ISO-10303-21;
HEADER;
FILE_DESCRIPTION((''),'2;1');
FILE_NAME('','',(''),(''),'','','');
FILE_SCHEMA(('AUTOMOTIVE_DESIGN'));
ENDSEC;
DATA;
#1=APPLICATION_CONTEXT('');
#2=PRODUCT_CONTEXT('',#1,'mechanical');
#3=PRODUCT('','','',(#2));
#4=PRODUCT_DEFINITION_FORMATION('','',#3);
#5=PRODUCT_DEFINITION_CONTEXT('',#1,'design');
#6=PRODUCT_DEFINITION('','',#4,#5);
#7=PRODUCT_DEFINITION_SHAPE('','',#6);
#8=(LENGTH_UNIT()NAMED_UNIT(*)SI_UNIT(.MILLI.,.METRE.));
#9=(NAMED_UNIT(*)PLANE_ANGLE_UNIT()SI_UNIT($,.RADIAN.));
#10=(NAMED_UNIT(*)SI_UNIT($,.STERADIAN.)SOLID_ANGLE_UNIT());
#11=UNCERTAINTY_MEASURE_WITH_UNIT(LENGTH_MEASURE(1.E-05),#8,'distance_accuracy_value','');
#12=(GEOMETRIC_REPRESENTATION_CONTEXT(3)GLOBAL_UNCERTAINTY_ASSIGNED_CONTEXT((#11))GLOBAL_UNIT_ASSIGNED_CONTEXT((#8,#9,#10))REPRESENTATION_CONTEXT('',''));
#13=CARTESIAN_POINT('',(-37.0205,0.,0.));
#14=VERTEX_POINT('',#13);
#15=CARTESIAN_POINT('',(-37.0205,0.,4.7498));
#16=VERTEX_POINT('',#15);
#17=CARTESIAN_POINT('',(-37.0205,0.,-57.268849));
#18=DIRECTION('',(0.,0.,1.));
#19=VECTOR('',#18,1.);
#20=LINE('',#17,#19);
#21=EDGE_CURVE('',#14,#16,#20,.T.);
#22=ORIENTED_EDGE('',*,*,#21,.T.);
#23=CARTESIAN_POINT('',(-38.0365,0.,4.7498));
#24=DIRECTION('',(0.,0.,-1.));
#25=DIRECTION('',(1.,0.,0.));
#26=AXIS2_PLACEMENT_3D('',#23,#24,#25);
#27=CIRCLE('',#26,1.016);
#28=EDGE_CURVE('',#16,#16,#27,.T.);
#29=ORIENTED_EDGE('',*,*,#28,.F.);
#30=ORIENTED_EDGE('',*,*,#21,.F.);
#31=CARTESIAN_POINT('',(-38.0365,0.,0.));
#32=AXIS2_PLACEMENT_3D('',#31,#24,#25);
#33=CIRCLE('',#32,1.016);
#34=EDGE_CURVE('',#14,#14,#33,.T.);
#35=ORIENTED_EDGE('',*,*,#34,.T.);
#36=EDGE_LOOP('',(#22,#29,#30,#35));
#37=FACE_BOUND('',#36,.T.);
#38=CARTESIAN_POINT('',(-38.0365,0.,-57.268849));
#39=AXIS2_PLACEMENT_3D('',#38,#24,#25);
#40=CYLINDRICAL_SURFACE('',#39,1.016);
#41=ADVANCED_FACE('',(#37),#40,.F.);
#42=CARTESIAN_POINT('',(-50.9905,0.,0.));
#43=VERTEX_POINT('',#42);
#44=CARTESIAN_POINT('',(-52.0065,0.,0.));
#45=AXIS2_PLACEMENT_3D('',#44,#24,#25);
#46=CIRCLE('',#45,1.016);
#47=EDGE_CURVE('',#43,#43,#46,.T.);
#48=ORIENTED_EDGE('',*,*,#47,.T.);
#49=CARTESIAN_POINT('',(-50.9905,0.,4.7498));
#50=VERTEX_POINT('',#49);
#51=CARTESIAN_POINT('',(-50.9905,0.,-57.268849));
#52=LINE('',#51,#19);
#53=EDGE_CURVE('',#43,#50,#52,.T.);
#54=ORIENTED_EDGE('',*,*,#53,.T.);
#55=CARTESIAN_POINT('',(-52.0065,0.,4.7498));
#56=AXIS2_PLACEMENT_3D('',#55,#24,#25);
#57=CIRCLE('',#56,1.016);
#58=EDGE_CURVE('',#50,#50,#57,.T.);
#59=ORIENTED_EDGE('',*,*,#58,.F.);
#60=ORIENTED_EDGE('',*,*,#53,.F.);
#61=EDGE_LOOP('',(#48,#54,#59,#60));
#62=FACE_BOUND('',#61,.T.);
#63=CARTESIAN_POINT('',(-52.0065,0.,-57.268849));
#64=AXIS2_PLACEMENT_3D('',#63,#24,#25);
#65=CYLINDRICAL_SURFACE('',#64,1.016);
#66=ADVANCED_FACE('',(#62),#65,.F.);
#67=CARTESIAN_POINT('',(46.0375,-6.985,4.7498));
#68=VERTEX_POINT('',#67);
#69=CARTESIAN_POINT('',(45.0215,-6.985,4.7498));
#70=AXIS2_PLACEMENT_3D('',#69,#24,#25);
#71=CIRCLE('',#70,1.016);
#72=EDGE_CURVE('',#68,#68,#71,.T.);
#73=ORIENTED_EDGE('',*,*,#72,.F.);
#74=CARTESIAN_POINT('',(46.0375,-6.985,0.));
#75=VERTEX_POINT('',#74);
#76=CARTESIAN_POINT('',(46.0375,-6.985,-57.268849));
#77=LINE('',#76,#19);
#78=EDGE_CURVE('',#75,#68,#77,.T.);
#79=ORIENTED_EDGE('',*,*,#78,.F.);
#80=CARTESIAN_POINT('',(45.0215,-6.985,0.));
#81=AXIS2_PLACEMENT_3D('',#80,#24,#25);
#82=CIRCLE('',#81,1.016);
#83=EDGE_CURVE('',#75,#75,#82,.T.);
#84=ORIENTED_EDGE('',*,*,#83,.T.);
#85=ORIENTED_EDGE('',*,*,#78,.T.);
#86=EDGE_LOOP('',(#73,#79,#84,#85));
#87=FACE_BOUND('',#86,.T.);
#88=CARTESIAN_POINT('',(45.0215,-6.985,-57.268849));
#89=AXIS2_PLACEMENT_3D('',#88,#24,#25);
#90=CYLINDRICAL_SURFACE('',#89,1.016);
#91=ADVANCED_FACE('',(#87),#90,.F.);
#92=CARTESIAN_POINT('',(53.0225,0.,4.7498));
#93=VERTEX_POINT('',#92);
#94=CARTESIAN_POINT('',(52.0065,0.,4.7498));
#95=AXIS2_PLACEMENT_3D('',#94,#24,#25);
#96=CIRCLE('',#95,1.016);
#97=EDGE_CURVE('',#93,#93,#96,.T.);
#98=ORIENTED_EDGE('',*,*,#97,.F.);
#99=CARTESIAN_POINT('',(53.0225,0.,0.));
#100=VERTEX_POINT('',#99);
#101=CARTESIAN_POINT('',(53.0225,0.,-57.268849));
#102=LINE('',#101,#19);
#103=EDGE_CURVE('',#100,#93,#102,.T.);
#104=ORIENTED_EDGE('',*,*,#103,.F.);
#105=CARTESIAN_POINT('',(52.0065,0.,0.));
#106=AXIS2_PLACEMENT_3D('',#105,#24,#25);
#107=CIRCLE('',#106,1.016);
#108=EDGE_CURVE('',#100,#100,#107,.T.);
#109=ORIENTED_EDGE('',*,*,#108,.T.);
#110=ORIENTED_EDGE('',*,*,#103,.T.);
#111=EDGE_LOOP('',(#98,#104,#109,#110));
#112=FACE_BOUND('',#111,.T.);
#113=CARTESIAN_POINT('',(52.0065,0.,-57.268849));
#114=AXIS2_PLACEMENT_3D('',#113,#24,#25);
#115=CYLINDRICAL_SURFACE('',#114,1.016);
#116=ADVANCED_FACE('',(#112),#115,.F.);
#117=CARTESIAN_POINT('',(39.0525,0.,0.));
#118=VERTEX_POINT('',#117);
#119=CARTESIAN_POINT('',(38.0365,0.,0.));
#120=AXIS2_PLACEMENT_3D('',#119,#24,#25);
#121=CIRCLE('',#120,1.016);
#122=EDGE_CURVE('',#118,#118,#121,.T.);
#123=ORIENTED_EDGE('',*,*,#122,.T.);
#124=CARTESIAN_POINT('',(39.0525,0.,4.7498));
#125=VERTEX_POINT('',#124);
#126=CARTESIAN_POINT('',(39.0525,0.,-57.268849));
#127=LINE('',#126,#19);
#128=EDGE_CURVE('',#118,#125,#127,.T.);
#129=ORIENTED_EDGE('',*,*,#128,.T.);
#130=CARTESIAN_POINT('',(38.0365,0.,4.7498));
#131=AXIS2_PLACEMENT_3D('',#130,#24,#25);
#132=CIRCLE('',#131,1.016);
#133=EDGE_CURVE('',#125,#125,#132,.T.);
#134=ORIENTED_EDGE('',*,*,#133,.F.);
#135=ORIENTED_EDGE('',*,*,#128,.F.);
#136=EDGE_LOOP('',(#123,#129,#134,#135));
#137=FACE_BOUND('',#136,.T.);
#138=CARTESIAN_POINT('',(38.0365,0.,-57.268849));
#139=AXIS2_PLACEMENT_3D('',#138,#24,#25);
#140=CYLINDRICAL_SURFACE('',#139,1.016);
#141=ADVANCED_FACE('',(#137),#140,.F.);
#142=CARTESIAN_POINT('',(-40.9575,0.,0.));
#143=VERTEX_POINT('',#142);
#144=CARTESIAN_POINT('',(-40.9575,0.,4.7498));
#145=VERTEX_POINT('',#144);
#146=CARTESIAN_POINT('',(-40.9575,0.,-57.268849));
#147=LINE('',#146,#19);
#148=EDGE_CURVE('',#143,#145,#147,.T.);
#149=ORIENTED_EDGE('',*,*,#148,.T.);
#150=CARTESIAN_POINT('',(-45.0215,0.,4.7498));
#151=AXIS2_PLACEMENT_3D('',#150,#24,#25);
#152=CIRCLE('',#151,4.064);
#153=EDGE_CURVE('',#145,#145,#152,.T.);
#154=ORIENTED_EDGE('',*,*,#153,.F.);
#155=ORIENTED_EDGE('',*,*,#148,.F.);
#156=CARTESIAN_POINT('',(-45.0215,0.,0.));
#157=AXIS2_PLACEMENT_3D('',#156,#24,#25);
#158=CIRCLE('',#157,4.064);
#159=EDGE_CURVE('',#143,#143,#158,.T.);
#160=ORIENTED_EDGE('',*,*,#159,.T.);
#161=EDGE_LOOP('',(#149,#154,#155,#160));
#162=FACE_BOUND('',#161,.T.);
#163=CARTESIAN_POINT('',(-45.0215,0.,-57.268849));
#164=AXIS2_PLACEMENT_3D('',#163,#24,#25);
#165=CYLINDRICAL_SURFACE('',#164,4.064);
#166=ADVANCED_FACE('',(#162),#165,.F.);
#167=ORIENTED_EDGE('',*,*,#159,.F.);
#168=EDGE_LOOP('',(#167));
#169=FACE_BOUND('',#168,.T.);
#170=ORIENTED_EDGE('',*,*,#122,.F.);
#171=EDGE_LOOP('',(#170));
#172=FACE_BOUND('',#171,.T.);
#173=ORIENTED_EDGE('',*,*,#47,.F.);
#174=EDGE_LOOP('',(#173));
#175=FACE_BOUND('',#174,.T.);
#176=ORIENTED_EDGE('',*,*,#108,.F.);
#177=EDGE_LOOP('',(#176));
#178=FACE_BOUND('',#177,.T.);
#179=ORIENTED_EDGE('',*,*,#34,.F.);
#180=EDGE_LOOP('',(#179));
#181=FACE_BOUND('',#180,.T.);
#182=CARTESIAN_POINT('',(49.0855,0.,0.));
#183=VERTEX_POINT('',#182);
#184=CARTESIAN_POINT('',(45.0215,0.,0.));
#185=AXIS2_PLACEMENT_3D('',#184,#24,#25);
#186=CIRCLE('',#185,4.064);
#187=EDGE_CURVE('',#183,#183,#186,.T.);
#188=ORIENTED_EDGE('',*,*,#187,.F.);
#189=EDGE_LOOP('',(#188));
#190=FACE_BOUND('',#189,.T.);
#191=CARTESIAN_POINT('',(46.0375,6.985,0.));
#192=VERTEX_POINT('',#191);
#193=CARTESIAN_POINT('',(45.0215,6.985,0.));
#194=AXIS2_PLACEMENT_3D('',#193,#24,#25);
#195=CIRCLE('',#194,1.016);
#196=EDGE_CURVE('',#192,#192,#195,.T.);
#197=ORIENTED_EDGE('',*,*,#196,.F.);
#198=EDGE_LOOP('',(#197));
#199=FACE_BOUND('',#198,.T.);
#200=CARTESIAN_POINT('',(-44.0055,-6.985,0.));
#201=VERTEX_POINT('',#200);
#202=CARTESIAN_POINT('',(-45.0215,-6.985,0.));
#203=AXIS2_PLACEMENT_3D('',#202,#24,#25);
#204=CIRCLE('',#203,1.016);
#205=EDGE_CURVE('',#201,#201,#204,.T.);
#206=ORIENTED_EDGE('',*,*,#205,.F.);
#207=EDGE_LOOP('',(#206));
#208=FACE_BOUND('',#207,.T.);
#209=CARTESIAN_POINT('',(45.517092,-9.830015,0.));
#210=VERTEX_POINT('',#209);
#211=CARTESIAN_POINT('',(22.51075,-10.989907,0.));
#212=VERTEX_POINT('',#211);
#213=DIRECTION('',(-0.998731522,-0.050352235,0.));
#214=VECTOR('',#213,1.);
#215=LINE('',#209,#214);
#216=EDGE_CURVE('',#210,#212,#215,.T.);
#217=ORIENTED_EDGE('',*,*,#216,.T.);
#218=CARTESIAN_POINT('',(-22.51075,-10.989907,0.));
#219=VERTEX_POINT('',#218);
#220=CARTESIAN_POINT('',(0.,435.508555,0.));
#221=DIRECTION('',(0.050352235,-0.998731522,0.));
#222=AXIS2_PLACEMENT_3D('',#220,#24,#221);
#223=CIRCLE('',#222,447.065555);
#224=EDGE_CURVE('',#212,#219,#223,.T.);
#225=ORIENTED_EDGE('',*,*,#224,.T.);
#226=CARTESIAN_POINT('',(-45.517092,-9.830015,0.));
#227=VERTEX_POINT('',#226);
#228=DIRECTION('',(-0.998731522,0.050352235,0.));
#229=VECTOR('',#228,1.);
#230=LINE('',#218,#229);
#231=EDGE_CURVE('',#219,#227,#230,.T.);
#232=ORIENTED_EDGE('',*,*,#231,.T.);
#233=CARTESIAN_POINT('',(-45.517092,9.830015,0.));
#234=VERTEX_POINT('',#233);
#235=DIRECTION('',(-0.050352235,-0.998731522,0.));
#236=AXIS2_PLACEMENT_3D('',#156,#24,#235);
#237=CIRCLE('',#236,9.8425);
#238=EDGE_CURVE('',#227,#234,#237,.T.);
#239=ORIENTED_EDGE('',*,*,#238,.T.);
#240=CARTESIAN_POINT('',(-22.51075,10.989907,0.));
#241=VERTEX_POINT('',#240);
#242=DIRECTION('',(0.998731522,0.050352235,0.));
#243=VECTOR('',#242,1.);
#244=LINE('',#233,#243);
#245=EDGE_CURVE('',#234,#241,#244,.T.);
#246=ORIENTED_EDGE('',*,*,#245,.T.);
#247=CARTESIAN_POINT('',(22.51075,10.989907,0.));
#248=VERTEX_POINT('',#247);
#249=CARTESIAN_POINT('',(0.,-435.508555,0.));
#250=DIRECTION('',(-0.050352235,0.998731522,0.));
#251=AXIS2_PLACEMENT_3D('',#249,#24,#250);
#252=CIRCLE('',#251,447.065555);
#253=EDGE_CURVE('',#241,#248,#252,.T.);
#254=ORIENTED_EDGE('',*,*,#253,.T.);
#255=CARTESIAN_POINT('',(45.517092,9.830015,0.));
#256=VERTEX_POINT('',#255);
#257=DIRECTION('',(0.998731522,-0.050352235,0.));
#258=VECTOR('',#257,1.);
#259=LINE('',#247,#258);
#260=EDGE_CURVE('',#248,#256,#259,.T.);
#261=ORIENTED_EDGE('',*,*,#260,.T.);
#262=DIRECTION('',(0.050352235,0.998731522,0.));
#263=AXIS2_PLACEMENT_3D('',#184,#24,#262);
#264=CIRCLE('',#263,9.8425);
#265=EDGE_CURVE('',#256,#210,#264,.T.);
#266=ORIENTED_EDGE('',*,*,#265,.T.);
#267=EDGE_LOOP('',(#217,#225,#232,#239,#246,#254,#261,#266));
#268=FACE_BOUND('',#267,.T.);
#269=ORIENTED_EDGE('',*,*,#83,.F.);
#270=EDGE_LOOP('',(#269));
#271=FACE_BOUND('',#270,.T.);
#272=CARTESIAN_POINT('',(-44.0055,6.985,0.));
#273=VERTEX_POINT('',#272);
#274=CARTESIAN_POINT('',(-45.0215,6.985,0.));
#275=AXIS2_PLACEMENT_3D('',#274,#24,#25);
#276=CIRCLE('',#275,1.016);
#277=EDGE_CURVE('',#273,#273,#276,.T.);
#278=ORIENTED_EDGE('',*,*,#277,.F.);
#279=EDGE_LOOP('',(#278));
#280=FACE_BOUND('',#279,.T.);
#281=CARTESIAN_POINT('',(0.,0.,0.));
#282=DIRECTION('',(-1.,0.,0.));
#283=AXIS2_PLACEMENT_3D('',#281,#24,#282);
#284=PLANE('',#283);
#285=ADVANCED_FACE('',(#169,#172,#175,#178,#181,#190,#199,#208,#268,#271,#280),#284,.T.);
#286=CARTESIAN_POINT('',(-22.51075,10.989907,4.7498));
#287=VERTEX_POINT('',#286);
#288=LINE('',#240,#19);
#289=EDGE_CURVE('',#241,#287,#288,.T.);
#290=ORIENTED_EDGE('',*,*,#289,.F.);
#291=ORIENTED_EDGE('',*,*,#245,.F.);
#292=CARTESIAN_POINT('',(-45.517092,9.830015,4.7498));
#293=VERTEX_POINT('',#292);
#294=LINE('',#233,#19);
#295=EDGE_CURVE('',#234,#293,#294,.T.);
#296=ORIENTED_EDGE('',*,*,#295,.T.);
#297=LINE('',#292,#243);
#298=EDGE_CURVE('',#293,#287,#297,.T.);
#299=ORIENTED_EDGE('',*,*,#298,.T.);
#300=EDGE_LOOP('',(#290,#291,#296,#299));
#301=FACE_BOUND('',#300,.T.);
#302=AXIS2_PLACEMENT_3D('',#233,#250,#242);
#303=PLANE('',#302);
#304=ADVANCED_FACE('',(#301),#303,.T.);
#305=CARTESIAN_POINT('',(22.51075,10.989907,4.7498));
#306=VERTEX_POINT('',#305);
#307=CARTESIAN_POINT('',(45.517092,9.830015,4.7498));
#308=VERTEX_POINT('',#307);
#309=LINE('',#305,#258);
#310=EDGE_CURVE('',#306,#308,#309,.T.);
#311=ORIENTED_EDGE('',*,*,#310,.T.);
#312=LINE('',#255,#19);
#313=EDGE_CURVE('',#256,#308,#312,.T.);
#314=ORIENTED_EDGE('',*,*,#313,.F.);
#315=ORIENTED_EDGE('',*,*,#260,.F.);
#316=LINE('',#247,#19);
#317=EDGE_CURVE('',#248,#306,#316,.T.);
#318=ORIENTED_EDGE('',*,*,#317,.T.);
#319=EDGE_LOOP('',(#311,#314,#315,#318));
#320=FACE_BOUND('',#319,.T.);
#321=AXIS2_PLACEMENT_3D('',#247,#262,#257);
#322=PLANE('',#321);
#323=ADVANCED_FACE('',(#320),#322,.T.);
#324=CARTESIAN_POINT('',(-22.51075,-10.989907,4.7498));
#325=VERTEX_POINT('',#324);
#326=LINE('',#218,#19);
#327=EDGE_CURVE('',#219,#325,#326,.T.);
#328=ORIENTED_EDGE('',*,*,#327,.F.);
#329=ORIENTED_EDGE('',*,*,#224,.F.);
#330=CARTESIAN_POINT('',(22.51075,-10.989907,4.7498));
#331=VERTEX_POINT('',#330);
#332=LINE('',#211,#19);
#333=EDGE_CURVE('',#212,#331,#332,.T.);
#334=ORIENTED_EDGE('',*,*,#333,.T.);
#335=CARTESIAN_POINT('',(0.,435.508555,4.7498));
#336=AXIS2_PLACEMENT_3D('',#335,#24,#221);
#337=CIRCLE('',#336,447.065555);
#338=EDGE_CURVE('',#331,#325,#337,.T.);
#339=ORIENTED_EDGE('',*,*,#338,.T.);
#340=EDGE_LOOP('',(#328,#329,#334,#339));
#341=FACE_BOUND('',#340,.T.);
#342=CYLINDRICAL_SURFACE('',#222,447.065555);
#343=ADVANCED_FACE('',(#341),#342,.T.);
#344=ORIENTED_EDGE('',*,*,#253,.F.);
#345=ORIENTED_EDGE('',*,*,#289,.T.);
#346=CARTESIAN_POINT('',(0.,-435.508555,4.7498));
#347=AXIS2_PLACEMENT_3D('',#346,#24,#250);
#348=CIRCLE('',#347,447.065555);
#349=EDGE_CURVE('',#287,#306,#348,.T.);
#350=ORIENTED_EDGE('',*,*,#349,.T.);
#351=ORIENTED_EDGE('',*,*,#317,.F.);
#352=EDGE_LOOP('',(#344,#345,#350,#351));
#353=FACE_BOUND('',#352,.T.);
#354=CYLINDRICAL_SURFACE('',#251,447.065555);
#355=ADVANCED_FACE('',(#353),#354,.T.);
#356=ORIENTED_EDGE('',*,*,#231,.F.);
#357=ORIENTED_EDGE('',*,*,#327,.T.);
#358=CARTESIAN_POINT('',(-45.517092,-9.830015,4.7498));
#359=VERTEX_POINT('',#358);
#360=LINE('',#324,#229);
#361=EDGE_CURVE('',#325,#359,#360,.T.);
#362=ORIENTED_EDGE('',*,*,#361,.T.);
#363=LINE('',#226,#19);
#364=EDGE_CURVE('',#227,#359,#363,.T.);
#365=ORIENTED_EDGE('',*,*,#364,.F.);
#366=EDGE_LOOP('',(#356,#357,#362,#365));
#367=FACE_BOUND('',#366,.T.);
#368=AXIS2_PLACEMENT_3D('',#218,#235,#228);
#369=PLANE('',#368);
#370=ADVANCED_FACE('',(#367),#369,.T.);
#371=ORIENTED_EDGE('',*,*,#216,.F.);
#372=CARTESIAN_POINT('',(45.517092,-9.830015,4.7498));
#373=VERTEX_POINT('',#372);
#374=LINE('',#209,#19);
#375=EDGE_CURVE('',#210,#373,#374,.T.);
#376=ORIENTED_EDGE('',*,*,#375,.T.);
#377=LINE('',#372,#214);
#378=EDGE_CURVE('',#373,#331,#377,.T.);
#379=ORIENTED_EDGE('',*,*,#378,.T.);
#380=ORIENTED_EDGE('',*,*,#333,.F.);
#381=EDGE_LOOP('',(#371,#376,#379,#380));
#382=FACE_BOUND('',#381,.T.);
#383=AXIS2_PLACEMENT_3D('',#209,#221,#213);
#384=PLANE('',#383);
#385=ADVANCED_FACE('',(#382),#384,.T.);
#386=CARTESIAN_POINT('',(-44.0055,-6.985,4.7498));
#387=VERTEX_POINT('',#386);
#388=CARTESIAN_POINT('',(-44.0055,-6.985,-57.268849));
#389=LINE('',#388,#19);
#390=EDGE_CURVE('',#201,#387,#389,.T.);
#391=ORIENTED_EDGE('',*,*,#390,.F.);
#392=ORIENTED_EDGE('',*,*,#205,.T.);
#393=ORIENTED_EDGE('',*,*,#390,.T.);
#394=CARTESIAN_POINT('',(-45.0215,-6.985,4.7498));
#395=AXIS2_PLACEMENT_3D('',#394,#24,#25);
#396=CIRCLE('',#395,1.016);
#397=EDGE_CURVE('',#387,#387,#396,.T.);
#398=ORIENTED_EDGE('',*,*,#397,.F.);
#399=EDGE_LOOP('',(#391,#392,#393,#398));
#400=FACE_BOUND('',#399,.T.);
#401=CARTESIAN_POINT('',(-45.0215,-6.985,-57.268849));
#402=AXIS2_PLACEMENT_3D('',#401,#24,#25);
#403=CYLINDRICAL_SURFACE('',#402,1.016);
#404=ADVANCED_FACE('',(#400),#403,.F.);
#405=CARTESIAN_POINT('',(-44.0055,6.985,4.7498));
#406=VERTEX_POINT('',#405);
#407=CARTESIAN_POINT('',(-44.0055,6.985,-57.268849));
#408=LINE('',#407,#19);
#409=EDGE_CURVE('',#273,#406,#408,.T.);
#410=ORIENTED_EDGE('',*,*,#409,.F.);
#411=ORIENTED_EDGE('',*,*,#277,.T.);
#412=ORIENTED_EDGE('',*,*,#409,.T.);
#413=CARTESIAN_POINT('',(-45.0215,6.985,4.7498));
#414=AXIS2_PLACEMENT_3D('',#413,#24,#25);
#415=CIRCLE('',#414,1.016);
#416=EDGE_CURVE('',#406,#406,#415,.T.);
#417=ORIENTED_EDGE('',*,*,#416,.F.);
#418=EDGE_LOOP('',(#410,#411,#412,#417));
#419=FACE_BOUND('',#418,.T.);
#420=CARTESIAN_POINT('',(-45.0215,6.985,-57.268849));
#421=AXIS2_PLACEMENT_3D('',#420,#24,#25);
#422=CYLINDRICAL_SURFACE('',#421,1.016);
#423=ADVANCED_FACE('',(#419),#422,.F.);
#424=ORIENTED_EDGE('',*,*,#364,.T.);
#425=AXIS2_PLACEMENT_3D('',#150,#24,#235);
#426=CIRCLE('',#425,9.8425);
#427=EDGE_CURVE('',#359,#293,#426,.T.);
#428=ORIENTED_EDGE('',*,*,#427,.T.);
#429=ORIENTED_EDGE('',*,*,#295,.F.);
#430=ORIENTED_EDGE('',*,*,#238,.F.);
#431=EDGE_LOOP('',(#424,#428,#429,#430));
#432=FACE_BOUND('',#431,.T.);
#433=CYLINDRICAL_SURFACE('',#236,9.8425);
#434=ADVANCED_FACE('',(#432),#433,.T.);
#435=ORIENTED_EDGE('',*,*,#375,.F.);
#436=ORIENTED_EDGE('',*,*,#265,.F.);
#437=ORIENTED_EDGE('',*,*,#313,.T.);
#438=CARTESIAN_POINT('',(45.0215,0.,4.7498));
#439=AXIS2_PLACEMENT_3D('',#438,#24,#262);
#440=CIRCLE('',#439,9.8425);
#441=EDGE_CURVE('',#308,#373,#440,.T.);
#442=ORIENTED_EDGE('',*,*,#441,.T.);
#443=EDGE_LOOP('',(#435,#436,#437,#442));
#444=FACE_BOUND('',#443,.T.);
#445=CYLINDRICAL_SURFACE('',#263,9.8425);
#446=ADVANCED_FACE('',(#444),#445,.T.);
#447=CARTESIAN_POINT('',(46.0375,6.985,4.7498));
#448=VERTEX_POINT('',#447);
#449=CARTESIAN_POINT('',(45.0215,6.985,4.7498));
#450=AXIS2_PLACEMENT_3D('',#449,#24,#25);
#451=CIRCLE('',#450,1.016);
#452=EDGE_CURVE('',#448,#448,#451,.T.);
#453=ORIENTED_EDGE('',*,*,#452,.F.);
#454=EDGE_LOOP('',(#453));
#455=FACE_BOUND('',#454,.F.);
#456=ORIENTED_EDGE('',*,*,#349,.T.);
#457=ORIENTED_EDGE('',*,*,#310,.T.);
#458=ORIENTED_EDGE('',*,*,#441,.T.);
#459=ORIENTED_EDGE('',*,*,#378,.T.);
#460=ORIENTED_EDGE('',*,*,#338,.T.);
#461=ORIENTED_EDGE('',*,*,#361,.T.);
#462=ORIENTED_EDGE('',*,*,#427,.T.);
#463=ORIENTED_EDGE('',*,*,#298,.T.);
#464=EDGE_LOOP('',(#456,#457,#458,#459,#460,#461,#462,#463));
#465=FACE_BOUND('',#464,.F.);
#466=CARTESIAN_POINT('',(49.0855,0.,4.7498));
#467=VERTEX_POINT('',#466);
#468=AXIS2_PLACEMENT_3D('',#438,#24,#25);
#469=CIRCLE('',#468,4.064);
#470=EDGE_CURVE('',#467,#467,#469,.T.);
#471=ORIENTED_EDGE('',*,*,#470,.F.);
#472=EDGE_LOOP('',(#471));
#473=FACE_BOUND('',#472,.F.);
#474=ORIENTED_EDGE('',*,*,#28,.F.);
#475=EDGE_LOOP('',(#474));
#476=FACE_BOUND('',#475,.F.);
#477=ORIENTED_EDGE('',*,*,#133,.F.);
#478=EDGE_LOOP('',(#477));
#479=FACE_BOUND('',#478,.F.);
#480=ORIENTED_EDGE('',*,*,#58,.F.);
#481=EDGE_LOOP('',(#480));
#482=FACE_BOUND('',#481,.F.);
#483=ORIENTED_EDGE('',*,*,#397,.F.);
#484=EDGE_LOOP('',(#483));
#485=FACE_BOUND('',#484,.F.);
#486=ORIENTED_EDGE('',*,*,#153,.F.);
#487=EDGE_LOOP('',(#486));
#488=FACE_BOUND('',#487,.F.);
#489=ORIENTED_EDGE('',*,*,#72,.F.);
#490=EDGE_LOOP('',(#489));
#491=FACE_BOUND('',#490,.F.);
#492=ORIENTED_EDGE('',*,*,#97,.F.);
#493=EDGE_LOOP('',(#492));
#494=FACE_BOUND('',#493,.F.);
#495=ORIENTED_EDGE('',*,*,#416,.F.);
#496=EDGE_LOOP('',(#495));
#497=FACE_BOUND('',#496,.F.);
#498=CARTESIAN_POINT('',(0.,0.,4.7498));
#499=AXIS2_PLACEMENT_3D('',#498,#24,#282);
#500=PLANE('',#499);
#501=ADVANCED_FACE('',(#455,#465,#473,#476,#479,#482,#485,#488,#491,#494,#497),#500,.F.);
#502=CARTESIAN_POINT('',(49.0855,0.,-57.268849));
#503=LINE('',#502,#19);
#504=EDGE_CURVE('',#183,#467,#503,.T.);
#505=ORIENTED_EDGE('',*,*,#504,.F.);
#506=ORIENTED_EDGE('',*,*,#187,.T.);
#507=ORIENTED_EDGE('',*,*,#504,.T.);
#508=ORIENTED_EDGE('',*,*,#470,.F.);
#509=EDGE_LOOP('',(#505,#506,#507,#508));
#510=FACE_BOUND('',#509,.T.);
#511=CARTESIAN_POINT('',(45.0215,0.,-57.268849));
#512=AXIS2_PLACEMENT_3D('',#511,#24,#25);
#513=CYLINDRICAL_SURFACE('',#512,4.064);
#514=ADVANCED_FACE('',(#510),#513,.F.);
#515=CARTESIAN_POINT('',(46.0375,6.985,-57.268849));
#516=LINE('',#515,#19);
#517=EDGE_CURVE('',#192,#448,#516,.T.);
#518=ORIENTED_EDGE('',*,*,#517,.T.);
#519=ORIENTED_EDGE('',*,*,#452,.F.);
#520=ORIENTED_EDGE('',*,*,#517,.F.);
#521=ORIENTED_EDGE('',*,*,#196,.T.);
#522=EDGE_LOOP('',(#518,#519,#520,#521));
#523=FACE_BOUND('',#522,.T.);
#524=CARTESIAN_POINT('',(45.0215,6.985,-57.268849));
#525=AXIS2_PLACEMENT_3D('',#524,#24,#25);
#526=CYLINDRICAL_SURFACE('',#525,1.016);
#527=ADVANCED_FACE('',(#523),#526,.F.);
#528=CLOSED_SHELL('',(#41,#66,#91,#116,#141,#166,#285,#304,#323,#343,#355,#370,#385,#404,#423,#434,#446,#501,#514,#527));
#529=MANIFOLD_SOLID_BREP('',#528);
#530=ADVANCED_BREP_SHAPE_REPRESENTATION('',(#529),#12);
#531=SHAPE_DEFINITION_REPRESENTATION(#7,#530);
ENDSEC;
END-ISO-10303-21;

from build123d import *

# Parameters (mm, degrees)
BOSS_EXTRUDE1_DEPTH     = 4.7498
CUT_EXTRUDE4_DEPTH      = 57.268848798
CUT_EXTRUDE4_DEPTH_BACK = 57.268848798
SKETCH1_4_R             = 4.064
SKETCH1_4_R_2           = 1.016


with BuildPart() as part:
    # Sketch1 → Boss-Extrude1 (new body)
    with BuildSketch(Plane.XY):
        with BuildLine():
            Line((-45.517091875, 9.830015002), (-22.51075, 10.989907038))
            ThreePointArc((-22.51075, 10.989907038), (0, 11.557), (22.51075, 10.989907038))
            Line((22.51075, 10.989907038), (45.517091875, 9.830015002))
            ThreePointArc((45.517091875, 9.830015002), (54.864, 0), (45.517091875, -9.830015002))
            Line((45.517091875, -9.830015002), (22.51075, -10.989907038))
            ThreePointArc((22.51075, -10.989907038), (0, -11.557), (-22.51075, -10.989907038))
            Line((-22.51075, -10.989907038), (-45.517091875, -9.830015002))
            ThreePointArc((-45.517091875, -9.830015002), (-54.864, 0), (-45.517091875, 9.830015002))
        make_face()
    extrude(amount=BOSS_EXTRUDE1_DEPTH)

    # Sketch1<4> → Cut-Extrude4 (cut, two sides: drawn at the far end of the back side and taken through both)
    with BuildSketch(Plane.XY.offset(-CUT_EXTRUDE4_DEPTH_BACK)):
        with Locations((-45.0215, 0)):
            Circle(SKETCH1_4_R)
        with Locations((-45.0215, 6.985)):
            Circle(SKETCH1_4_R_2)
        with Locations((-52.0065, 0)):
            Circle(SKETCH1_4_R_2)
        with Locations((-38.0365, 0)):
            Circle(SKETCH1_4_R_2)
        with Locations((-45.0215, -6.985)):
            Circle(SKETCH1_4_R_2)
        with Locations((45.0215, 0)):
            Circle(SKETCH1_4_R)
        with Locations((45.0215, 6.985)):
            Circle(SKETCH1_4_R_2)
        with Locations((52.0065, 0)):
            Circle(SKETCH1_4_R_2)
        with Locations((45.0215, -6.985)):
            Circle(SKETCH1_4_R_2)
        with Locations((38.0365, 0)):
            Circle(SKETCH1_4_R_2)
    extrude(amount=CUT_EXTRUDE4_DEPTH + CUT_EXTRUDE4_DEPTH_BACK, mode=Mode.SUBTRACT)


solid = part.part
